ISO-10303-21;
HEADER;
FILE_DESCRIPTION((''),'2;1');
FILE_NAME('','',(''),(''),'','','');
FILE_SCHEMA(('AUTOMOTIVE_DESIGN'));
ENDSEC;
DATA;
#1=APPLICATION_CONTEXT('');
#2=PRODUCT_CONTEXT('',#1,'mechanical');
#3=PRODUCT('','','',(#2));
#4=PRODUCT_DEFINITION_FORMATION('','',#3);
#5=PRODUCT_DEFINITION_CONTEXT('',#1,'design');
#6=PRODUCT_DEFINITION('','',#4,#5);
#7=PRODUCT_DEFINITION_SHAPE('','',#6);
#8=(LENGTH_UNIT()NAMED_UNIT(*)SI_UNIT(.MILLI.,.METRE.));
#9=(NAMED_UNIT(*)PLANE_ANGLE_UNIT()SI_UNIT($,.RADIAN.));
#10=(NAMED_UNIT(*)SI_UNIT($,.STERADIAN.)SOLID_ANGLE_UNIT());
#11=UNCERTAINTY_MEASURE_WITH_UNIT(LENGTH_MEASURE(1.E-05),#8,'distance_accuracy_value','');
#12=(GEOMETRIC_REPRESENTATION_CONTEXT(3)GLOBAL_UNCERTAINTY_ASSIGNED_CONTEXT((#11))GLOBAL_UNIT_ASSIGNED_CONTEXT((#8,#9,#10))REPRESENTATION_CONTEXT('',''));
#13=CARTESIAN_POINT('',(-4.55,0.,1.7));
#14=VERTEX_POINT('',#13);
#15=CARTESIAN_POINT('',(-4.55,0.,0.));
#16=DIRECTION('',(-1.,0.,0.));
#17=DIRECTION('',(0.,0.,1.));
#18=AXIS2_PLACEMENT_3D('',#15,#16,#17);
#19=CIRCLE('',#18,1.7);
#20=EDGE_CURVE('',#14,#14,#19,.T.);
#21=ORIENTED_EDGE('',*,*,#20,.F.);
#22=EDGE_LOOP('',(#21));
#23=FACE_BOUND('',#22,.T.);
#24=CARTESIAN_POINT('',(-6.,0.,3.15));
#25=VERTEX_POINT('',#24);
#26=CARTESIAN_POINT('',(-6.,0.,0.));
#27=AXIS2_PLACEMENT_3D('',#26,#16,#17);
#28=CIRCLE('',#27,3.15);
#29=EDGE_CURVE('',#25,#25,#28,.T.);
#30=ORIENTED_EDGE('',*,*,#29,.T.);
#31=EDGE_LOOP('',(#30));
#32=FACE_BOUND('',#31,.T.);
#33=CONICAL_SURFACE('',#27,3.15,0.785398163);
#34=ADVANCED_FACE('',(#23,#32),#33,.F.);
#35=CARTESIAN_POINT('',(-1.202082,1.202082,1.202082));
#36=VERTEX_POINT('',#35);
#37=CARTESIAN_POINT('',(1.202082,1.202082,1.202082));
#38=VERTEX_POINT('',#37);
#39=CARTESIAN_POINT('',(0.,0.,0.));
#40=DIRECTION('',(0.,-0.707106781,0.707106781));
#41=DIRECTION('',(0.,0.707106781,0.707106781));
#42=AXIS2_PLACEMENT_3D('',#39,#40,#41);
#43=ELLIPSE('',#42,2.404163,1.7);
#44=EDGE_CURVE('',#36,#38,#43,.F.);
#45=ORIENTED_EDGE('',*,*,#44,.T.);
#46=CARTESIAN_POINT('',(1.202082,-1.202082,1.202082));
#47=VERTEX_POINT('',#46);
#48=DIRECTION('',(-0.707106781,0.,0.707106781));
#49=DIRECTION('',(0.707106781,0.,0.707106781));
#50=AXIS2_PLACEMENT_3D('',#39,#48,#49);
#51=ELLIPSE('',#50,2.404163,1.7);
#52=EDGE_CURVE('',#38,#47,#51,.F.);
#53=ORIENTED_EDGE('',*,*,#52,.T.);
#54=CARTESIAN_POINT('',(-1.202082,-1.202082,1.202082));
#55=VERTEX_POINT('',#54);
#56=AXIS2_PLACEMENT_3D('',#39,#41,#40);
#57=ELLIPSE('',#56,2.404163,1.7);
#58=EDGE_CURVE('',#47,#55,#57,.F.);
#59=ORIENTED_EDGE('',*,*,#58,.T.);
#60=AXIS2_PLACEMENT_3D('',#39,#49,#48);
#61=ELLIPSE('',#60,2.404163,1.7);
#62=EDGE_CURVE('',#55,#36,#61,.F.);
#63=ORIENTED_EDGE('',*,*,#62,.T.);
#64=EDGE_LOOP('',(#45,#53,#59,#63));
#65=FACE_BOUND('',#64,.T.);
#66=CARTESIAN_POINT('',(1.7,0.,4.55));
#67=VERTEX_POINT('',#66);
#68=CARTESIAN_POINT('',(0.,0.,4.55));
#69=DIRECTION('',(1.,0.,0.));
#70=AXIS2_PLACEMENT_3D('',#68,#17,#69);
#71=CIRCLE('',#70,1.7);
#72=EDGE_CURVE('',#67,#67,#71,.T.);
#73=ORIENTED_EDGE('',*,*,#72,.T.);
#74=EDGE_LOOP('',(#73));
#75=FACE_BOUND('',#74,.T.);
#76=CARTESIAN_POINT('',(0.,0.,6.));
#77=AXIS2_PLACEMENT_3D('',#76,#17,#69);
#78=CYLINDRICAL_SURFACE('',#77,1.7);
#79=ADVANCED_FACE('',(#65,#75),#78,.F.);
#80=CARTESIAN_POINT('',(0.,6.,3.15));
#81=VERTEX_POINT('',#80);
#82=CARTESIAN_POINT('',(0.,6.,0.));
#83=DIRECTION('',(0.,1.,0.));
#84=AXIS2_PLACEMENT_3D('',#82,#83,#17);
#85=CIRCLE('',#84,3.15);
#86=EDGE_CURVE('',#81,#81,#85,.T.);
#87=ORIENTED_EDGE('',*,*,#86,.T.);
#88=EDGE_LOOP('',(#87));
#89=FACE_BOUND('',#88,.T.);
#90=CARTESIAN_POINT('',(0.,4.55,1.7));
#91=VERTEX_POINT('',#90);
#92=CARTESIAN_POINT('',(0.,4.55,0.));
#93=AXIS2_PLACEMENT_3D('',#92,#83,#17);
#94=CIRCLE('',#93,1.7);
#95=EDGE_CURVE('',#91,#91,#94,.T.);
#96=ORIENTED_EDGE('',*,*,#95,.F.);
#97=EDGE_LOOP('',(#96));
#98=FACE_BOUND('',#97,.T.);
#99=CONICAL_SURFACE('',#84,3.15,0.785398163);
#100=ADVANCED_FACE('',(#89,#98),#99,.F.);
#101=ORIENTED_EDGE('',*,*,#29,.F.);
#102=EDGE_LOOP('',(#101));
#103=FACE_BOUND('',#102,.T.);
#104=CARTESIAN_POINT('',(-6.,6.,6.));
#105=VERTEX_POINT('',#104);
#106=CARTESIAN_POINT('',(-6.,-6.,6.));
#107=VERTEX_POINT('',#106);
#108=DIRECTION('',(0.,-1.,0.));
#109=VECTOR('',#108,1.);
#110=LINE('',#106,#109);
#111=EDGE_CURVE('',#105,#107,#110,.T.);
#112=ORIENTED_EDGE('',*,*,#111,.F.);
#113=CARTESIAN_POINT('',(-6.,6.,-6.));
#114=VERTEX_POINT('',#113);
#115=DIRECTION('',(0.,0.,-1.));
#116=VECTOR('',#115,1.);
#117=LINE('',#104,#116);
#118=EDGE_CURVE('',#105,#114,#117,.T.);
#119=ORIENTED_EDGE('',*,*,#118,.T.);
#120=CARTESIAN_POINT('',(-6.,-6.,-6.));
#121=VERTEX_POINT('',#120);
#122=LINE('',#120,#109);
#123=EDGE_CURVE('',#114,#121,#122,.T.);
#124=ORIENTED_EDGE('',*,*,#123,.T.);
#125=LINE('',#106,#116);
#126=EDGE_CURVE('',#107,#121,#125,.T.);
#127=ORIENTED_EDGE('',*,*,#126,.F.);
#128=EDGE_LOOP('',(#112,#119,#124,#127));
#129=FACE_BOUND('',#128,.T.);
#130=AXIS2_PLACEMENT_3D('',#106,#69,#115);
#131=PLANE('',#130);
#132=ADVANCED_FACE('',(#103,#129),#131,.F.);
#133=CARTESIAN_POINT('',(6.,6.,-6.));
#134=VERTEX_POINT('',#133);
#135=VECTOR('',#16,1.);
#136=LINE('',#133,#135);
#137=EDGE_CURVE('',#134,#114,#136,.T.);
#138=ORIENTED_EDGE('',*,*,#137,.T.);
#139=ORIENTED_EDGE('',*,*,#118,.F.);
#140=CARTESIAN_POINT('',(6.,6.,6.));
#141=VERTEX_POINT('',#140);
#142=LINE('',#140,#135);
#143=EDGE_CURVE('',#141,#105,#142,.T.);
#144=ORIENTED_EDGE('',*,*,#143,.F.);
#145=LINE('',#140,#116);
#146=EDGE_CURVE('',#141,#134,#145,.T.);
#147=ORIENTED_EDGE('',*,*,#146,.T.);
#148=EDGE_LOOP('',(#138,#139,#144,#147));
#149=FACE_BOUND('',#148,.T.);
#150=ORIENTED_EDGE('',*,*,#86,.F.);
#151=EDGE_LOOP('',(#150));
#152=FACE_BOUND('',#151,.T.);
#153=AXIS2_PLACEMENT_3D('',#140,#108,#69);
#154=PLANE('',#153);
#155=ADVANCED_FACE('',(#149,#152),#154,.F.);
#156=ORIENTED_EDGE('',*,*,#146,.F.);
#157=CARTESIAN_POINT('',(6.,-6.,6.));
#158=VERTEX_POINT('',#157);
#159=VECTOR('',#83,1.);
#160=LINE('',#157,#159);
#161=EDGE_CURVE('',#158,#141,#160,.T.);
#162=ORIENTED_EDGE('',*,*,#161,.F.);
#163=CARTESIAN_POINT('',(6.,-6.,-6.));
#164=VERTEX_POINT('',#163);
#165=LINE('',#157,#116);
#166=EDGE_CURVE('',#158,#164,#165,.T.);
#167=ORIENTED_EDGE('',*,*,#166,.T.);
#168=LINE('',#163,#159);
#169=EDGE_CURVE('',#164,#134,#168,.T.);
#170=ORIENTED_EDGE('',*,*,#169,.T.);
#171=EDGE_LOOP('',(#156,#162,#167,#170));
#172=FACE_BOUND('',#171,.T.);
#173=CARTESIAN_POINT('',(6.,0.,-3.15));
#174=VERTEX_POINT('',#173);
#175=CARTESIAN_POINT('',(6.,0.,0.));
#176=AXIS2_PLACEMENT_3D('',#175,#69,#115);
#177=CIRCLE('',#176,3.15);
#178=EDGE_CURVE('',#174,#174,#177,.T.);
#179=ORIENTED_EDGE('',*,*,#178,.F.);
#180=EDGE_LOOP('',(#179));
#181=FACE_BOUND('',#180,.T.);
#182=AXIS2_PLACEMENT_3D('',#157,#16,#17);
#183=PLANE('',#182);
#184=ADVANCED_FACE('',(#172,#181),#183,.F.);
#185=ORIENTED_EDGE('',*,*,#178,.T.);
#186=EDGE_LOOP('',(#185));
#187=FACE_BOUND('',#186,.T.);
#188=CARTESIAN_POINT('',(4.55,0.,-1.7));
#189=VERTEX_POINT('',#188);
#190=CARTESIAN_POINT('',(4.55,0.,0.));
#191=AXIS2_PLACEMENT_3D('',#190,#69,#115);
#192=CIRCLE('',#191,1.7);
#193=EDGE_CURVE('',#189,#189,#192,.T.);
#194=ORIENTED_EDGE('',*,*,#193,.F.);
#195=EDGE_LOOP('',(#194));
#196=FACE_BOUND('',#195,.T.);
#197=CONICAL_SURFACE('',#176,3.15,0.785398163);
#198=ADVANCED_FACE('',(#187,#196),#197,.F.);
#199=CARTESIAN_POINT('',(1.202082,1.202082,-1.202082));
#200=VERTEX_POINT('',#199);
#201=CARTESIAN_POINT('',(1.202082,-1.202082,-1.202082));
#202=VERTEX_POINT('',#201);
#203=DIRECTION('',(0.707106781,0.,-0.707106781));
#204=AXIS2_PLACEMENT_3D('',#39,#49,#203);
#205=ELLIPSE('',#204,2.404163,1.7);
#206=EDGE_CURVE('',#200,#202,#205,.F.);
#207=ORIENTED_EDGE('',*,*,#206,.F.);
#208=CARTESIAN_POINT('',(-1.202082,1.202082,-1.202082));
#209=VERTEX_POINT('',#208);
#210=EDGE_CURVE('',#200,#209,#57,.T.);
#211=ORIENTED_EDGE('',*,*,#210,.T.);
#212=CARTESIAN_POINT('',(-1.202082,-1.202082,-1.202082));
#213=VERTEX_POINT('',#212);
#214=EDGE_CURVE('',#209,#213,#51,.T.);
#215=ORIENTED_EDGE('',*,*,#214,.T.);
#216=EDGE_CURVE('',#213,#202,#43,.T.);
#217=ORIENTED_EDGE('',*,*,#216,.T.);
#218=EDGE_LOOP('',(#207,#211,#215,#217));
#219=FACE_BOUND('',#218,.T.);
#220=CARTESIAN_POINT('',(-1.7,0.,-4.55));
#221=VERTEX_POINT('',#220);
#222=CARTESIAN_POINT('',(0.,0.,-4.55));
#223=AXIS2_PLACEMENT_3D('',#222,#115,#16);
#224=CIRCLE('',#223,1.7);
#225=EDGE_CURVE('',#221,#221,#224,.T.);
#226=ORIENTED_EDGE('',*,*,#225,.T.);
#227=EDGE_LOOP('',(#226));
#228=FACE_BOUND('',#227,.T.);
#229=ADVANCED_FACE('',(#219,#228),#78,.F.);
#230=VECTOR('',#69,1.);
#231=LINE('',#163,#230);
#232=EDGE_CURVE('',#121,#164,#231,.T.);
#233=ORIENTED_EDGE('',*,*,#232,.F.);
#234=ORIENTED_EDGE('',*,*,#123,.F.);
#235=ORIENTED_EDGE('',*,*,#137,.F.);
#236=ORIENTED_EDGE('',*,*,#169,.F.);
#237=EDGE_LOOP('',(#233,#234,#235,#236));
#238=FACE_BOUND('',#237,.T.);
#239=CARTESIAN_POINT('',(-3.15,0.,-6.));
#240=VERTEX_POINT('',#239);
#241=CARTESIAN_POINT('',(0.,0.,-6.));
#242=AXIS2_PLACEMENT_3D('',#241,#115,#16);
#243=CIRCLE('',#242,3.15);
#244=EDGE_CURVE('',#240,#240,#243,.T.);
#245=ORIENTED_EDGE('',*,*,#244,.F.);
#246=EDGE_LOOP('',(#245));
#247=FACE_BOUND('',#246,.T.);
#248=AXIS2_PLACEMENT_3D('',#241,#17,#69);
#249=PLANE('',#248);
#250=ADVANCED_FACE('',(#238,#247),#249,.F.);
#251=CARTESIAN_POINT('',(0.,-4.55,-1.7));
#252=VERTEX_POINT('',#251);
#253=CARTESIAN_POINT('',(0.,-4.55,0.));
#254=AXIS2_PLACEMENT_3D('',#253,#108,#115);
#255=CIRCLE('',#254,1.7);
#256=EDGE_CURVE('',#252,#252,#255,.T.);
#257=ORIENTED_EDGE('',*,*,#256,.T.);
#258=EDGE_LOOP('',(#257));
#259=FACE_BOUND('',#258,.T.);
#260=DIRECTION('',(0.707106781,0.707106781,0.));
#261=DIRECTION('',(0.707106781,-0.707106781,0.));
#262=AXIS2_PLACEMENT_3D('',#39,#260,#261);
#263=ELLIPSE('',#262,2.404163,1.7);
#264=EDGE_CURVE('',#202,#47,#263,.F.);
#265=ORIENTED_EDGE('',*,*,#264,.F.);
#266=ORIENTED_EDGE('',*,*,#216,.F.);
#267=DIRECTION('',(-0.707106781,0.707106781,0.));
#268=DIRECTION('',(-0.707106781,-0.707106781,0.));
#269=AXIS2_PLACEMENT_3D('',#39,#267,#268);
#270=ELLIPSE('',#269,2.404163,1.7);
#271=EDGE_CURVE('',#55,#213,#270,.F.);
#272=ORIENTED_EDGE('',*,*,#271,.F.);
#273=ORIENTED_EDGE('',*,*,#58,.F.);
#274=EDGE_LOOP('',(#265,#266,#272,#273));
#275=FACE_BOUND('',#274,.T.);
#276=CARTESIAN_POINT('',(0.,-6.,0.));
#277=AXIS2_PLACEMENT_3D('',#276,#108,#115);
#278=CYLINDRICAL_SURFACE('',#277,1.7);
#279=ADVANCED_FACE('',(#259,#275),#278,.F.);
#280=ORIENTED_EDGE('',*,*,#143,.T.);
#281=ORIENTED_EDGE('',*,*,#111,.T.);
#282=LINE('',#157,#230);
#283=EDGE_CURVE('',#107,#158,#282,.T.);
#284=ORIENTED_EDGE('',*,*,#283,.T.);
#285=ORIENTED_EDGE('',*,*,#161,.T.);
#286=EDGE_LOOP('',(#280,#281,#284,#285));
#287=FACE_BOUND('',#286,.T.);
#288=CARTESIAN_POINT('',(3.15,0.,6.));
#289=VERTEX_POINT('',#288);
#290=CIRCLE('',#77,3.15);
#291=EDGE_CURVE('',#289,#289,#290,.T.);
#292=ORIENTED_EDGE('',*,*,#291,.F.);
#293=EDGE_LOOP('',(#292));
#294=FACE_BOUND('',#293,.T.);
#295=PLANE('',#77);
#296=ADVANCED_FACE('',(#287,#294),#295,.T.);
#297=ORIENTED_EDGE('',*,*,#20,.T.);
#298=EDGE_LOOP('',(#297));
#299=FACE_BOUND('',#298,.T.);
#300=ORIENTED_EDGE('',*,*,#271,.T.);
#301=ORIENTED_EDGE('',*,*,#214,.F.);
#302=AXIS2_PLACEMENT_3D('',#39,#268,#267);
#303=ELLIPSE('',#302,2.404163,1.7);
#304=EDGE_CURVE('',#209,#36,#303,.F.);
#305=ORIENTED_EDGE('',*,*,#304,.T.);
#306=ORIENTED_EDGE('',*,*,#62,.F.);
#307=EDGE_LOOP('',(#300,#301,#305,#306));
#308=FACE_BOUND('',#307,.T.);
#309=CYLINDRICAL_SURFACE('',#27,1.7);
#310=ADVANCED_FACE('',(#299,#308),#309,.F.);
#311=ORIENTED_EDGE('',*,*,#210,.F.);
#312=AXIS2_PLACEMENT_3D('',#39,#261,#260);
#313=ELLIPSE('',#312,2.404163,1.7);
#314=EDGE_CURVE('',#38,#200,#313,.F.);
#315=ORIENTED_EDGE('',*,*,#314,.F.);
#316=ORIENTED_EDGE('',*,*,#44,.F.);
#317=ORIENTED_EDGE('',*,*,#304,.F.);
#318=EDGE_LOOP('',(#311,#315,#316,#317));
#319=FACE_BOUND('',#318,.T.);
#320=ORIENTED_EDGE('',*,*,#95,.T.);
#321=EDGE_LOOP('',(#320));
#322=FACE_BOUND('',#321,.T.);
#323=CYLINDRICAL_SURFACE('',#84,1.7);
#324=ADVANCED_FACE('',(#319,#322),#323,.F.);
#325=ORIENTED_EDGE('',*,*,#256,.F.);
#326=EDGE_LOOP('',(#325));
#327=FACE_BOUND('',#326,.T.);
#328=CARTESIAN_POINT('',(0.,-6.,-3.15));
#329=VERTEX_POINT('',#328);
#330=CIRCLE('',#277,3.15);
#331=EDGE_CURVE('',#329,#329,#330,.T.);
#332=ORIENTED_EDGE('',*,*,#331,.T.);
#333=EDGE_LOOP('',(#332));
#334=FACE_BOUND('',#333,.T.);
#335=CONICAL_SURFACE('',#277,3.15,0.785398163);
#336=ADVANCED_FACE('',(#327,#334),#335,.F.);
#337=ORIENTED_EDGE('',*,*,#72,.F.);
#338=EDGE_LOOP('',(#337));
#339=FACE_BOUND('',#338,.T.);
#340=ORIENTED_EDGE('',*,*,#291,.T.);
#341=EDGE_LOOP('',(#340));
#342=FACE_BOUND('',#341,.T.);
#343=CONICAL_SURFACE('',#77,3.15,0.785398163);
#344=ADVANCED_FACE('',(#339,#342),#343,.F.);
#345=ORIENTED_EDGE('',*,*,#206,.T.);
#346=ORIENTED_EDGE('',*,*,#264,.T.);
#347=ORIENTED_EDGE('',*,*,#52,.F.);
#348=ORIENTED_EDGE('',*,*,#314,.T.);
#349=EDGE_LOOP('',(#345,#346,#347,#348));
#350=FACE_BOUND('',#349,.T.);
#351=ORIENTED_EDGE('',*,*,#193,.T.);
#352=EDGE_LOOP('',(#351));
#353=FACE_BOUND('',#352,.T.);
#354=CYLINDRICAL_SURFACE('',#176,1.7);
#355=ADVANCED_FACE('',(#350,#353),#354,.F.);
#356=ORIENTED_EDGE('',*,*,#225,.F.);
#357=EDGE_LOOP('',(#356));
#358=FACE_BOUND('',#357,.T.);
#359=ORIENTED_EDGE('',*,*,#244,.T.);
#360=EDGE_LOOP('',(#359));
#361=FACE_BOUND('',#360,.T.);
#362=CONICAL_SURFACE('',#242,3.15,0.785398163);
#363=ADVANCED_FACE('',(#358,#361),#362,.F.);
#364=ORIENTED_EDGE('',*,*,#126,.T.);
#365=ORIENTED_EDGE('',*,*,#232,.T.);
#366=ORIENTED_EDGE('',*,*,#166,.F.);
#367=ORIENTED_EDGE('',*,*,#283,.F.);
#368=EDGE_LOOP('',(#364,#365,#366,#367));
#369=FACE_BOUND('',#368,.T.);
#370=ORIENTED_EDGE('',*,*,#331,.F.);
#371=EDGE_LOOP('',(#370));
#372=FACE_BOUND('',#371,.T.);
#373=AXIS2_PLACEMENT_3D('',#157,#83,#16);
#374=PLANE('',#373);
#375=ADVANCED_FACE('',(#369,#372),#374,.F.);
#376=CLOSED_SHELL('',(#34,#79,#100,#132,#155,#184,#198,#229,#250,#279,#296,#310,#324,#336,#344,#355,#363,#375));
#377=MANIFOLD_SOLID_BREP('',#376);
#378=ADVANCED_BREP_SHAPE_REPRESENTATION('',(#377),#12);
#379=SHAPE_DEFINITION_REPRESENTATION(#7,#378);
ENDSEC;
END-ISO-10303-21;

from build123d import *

# Parameters (mm, degrees)
SKETCH1_W                                       = 12
SKETCH1_H                                       = 12
BOSS_EXTRUDE1_DEPTH                             = 6
CSK_FOR_M3_FLAT_HEAD_MACHINE_SCREW1_D           = 3.4
CSK_FOR_M3_FLAT_HEAD_MACHINE_SCREW1_DEPTH       = 6
CSK_FOR_M3_FLAT_HEAD_MACHINE_SCREW1_CSINK_D     = 6.3
CSK_FOR_M3_FLAT_HEAD_MACHINE_SCREW1_CSINK_ANGLE = 90
CSK_FOR_M3_FLAT_HEAD_MACHINE_SCREW1_TIP         = 1.021463052
CSK_FOR_M3_FLAT_HEAD_MACHINE_SCREW2_D           = 3.4
CSK_FOR_M3_FLAT_HEAD_MACHINE_SCREW2_DEPTH       = 6
CSK_FOR_M3_FLAT_HEAD_MACHINE_SCREW2_CSINK_D     = 6.3
CSK_FOR_M3_FLAT_HEAD_MACHINE_SCREW2_CSINK_ANGLE = 90
CSK_FOR_M3_FLAT_HEAD_MACHINE_SCREW2_TIP         = 1.021463052
CSK_FOR_M3_FLAT_HEAD_MACHINE_SCREW3_D           = 3.4
CSK_FOR_M3_FLAT_HEAD_MACHINE_SCREW3_DEPTH       = 6
CSK_FOR_M3_FLAT_HEAD_MACHINE_SCREW3_CSINK_D     = 6.3
CSK_FOR_M3_FLAT_HEAD_MACHINE_SCREW3_CSINK_ANGLE = 90
CSK_FOR_M3_FLAT_HEAD_MACHINE_SCREW3_TIP         = 1.021463052
CSK_FOR_M3_FLAT_HEAD_MACHINE_SCREW7_D           = 3.4
CSK_FOR_M3_FLAT_HEAD_MACHINE_SCREW7_DEPTH       = 6
CSK_FOR_M3_FLAT_HEAD_MACHINE_SCREW7_CSINK_D     = 6.3
CSK_FOR_M3_FLAT_HEAD_MACHINE_SCREW7_CSINK_ANGLE = 90
CSK_FOR_M3_FLAT_HEAD_MACHINE_SCREW7_TIP         = 1.021463052
CSK_FOR_M3_FLAT_HEAD_MACHINE_SCREW8_D           = 3.4
CSK_FOR_M3_FLAT_HEAD_MACHINE_SCREW8_DEPTH       = 6
CSK_FOR_M3_FLAT_HEAD_MACHINE_SCREW8_CSINK_D     = 6.3
CSK_FOR_M3_FLAT_HEAD_MACHINE_SCREW8_CSINK_ANGLE = 90
CSK_FOR_M3_FLAT_HEAD_MACHINE_SCREW8_TIP         = 1.021463052
CSK_FOR_M3_FLAT_HEAD_MACHINE_SCREW9_D           = 3.4
CSK_FOR_M3_FLAT_HEAD_MACHINE_SCREW9_DEPTH       = 6
CSK_FOR_M3_FLAT_HEAD_MACHINE_SCREW9_CSINK_D     = 6.3
CSK_FOR_M3_FLAT_HEAD_MACHINE_SCREW9_CSINK_ANGLE = 90
CSK_FOR_M3_FLAT_HEAD_MACHINE_SCREW9_TIP         = 1.021463052


with BuildPart() as part:
    # Sketch1 → Boss-Extrude1 (new, symmetric)
    with BuildSketch(Plane.XY):
        Rectangle(SKETCH1_W, SKETCH1_H)
    extrude(amount=BOSS_EXTRUDE1_DEPTH, both=True)

    # CSK for M3 Flat Head Machine Screw1
    with Locations(Plane.XY.offset(6)):
        with Locations((0, 0)):
            CounterSinkHole(CSK_FOR_M3_FLAT_HEAD_MACHINE_SCREW1_D / 2, CSK_FOR_M3_FLAT_HEAD_MACHINE_SCREW1_CSINK_D / 2, depth=CSK_FOR_M3_FLAT_HEAD_MACHINE_SCREW1_DEPTH, counter_sink_angle=CSK_FOR_M3_FLAT_HEAD_MACHINE_SCREW1_CSINK_ANGLE)
            with Locations((0, 0, -(CSK_FOR_M3_FLAT_HEAD_MACHINE_SCREW1_DEPTH + CSK_FOR_M3_FLAT_HEAD_MACHINE_SCREW1_TIP / 2))):  # 118° drill point
                Cone(0, CSK_FOR_M3_FLAT_HEAD_MACHINE_SCREW1_D / 2, CSK_FOR_M3_FLAT_HEAD_MACHINE_SCREW1_TIP, mode=Mode.SUBTRACT)

    # CSK for M3 Flat Head Machine Screw2
    with Locations(Plane(origin=(6, 0, 0), x_dir=(0, 0, -1), z_dir=(1, 0, 0))):
        with Locations((0, 0)):
            CounterSinkHole(CSK_FOR_M3_FLAT_HEAD_MACHINE_SCREW2_D / 2, CSK_FOR_M3_FLAT_HEAD_MACHINE_SCREW2_CSINK_D / 2, depth=CSK_FOR_M3_FLAT_HEAD_MACHINE_SCREW2_DEPTH, counter_sink_angle=CSK_FOR_M3_FLAT_HEAD_MACHINE_SCREW2_CSINK_ANGLE)
            with Locations((0, 0, -(CSK_FOR_M3_FLAT_HEAD_MACHINE_SCREW2_DEPTH + CSK_FOR_M3_FLAT_HEAD_MACHINE_SCREW2_TIP / 2))):  # 118° drill point
                Cone(0, CSK_FOR_M3_FLAT_HEAD_MACHINE_SCREW2_D / 2, CSK_FOR_M3_FLAT_HEAD_MACHINE_SCREW2_TIP, mode=Mode.SUBTRACT)

    # CSK for M3 Flat Head Machine Screw3
    with Locations(Plane(origin=(0, 0, -6), x_dir=(-1, 0, 0), z_dir=(0, 0, -1))):
        with Locations((0, 0)):
            CounterSinkHole(CSK_FOR_M3_FLAT_HEAD_MACHINE_SCREW3_D / 2, CSK_FOR_M3_FLAT_HEAD_MACHINE_SCREW3_CSINK_D / 2, depth=CSK_FOR_M3_FLAT_HEAD_MACHINE_SCREW3_DEPTH, counter_sink_angle=CSK_FOR_M3_FLAT_HEAD_MACHINE_SCREW3_CSINK_ANGLE)
            with Locations((0, 0, -(CSK_FOR_M3_FLAT_HEAD_MACHINE_SCREW3_DEPTH + CSK_FOR_M3_FLAT_HEAD_MACHINE_SCREW3_TIP / 2))):  # 118° drill point
                Cone(0, CSK_FOR_M3_FLAT_HEAD_MACHINE_SCREW3_D / 2, CSK_FOR_M3_FLAT_HEAD_MACHINE_SCREW3_TIP, mode=Mode.SUBTRACT)

    # CSK for M3 Flat Head Machine Screw7
    with Locations(Plane.ZY.offset(6)):
        with Locations((0, 0)):
            CounterSinkHole(CSK_FOR_M3_FLAT_HEAD_MACHINE_SCREW7_D / 2, CSK_FOR_M3_FLAT_HEAD_MACHINE_SCREW7_CSINK_D / 2, depth=CSK_FOR_M3_FLAT_HEAD_MACHINE_SCREW7_DEPTH, counter_sink_angle=CSK_FOR_M3_FLAT_HEAD_MACHINE_SCREW7_CSINK_ANGLE)
            with Locations((0, 0, -(CSK_FOR_M3_FLAT_HEAD_MACHINE_SCREW7_DEPTH + CSK_FOR_M3_FLAT_HEAD_MACHINE_SCREW7_TIP / 2))):  # 118° drill point
                Cone(0, CSK_FOR_M3_FLAT_HEAD_MACHINE_SCREW7_D / 2, CSK_FOR_M3_FLAT_HEAD_MACHINE_SCREW7_TIP, mode=Mode.SUBTRACT)

    # CSK for M3 Flat Head Machine Screw8
    with Locations(Plane(origin=(0, 6, 0), x_dir=(1, 0, 0), z_dir=(0, 1, 0))):
        with Locations((0, 0)):
            CounterSinkHole(CSK_FOR_M3_FLAT_HEAD_MACHINE_SCREW8_D / 2, CSK_FOR_M3_FLAT_HEAD_MACHINE_SCREW8_CSINK_D / 2, depth=CSK_FOR_M3_FLAT_HEAD_MACHINE_SCREW8_DEPTH, counter_sink_angle=CSK_FOR_M3_FLAT_HEAD_MACHINE_SCREW8_CSINK_ANGLE)
            with Locations((0, 0, -(CSK_FOR_M3_FLAT_HEAD_MACHINE_SCREW8_DEPTH + CSK_FOR_M3_FLAT_HEAD_MACHINE_SCREW8_TIP / 2))):  # 118° drill point
                Cone(0, CSK_FOR_M3_FLAT_HEAD_MACHINE_SCREW8_D / 2, CSK_FOR_M3_FLAT_HEAD_MACHINE_SCREW8_TIP, mode=Mode.SUBTRACT)

    # CSK for M3 Flat Head Machine Screw9
    with Locations(Plane(origin=(0, -6, 0), x_dir=(-1, 0, 0), z_dir=(0, -1, 0))):
        with Locations((0, 0)):
            CounterSinkHole(CSK_FOR_M3_FLAT_HEAD_MACHINE_SCREW9_D / 2, CSK_FOR_M3_FLAT_HEAD_MACHINE_SCREW9_CSINK_D / 2, depth=CSK_FOR_M3_FLAT_HEAD_MACHINE_SCREW9_DEPTH, counter_sink_angle=CSK_FOR_M3_FLAT_HEAD_MACHINE_SCREW9_CSINK_ANGLE)
            with Locations((0, 0, -(CSK_FOR_M3_FLAT_HEAD_MACHINE_SCREW9_DEPTH + CSK_FOR_M3_FLAT_HEAD_MACHINE_SCREW9_TIP / 2))):  # 118° drill point
                Cone(0, CSK_FOR_M3_FLAT_HEAD_MACHINE_SCREW9_D / 2, CSK_FOR_M3_FLAT_HEAD_MACHINE_SCREW9_TIP, mode=Mode.SUBTRACT)


solid = part.part
